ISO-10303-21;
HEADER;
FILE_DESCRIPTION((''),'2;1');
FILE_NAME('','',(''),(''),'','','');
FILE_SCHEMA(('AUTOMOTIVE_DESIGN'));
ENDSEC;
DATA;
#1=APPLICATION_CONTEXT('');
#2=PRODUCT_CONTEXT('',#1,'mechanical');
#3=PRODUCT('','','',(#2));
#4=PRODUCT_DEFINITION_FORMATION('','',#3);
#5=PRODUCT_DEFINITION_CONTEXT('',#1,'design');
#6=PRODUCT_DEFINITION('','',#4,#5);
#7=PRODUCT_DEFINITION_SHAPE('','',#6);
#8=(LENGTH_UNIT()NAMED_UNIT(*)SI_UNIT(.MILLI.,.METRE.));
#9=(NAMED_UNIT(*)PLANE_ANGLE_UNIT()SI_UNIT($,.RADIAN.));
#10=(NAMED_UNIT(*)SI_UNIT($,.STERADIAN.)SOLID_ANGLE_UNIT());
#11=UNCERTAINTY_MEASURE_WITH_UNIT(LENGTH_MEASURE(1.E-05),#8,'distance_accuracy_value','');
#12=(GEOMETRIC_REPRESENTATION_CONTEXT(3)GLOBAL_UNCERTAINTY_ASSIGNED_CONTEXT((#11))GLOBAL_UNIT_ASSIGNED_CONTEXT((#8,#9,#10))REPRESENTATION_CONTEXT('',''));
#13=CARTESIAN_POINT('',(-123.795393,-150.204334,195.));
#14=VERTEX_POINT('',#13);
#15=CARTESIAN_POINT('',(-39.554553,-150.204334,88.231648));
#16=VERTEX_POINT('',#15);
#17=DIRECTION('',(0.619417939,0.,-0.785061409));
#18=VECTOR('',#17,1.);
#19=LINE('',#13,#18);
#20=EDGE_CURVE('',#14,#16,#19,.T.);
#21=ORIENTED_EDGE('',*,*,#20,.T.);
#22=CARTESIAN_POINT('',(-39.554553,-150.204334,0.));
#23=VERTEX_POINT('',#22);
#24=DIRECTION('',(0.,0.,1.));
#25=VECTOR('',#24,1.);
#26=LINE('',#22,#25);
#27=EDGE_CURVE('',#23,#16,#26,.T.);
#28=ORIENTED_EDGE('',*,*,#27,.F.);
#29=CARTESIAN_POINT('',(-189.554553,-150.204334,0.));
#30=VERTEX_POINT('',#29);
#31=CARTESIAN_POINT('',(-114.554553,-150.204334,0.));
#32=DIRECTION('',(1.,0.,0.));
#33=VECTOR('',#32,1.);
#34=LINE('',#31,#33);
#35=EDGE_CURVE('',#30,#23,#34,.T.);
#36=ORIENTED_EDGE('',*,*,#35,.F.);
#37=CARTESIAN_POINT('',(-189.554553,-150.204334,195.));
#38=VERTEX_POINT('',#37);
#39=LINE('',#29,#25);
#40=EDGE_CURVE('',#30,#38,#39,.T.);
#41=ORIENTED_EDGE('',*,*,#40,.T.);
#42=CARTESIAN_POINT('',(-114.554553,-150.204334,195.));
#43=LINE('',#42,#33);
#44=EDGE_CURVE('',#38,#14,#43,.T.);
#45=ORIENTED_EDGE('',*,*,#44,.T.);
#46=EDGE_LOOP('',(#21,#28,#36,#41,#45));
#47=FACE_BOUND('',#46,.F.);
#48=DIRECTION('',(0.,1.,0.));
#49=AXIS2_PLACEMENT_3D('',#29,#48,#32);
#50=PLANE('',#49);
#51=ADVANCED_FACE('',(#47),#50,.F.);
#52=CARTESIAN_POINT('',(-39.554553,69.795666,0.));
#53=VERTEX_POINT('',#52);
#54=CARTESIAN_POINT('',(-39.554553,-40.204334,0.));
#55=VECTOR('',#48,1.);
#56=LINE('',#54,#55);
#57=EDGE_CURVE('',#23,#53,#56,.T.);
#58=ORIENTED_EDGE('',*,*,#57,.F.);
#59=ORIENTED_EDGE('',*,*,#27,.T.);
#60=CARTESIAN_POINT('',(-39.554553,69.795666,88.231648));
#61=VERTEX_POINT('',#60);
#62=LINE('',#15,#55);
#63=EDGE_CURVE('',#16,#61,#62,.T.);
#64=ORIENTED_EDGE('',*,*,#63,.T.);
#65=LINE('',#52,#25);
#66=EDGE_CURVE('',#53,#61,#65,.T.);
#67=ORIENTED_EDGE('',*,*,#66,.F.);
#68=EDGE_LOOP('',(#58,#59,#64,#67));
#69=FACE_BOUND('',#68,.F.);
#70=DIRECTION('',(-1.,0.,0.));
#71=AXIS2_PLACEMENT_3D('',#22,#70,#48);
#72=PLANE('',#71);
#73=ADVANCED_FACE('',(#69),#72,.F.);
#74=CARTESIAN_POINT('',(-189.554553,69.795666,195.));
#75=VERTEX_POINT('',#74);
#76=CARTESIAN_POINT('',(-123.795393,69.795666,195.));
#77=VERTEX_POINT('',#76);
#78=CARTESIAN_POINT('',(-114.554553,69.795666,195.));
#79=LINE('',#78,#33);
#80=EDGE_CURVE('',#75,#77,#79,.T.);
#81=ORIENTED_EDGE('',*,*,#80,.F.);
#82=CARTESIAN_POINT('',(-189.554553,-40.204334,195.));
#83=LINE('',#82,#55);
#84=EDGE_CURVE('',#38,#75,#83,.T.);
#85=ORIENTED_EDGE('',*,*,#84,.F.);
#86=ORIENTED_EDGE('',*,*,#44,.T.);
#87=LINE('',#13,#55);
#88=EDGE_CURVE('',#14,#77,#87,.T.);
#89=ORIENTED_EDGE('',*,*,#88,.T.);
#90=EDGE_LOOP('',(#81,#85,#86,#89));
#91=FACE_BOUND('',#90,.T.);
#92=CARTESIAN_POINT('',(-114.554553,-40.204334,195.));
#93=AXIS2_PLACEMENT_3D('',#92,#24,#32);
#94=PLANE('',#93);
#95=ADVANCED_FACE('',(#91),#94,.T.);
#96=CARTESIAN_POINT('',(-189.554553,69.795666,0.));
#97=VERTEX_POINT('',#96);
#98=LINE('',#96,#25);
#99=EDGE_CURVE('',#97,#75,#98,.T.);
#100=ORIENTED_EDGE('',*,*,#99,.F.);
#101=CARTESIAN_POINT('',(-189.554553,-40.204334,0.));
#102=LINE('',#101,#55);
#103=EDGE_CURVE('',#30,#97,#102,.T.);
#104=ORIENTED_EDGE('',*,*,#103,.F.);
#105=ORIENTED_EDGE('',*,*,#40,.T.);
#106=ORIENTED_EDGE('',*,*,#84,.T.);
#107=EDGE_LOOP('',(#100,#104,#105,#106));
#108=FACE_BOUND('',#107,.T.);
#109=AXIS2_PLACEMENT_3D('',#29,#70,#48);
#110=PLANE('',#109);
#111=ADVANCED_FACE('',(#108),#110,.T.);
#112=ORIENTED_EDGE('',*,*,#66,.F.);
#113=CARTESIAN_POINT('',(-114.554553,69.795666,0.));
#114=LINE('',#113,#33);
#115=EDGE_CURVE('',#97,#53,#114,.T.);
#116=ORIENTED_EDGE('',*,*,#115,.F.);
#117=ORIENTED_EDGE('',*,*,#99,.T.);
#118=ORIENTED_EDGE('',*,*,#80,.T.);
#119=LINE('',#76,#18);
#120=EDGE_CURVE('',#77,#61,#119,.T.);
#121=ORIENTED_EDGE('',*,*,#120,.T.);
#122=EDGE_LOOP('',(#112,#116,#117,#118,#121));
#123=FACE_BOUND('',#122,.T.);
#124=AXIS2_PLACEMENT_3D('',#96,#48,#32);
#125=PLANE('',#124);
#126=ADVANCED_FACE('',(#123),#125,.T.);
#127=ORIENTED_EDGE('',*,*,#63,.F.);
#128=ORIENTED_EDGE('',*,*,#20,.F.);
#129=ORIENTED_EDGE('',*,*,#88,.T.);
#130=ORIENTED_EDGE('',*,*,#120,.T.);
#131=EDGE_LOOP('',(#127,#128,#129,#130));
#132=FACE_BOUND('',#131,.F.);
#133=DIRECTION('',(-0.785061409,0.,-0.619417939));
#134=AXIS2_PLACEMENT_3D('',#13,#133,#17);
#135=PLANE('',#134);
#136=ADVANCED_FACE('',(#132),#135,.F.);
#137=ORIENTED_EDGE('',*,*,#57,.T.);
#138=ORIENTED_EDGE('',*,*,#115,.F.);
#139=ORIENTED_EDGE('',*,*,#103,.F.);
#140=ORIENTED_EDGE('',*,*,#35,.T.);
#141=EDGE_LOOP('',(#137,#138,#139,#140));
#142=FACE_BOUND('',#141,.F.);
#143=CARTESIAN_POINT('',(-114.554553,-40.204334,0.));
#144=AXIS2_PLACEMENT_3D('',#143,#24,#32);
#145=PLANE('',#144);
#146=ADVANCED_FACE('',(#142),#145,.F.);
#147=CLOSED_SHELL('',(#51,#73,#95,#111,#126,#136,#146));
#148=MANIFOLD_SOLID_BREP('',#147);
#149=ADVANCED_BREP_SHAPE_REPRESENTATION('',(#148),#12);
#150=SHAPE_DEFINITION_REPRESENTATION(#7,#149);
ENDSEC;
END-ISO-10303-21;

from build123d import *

# Parameters (mm, degrees)
F0_W     = 150
F0_H     = 220
F1_DEPTH = 195
F3_DEPTH = 220


with BuildPart() as f1:
    # F0 (on Top) → F1 (new body)
    with BuildSketch(Plane.XY):
        with Locations((-114.554553, -40.204334)):
            Rectangle(F0_W, F0_H)
    extrude(amount=F1_DEPTH)

    # F2 (on face) → F3 (cut)
    with BuildSketch(Plane.XZ.offset(150.204334)):
        Polygon((-39.554553, 88.231648), (-39.554553, 195), (-123.795393, 195), align=None)
    extrude(amount=-F3_DEPTH, mode=Mode.SUBTRACT)


solid = f1.part
